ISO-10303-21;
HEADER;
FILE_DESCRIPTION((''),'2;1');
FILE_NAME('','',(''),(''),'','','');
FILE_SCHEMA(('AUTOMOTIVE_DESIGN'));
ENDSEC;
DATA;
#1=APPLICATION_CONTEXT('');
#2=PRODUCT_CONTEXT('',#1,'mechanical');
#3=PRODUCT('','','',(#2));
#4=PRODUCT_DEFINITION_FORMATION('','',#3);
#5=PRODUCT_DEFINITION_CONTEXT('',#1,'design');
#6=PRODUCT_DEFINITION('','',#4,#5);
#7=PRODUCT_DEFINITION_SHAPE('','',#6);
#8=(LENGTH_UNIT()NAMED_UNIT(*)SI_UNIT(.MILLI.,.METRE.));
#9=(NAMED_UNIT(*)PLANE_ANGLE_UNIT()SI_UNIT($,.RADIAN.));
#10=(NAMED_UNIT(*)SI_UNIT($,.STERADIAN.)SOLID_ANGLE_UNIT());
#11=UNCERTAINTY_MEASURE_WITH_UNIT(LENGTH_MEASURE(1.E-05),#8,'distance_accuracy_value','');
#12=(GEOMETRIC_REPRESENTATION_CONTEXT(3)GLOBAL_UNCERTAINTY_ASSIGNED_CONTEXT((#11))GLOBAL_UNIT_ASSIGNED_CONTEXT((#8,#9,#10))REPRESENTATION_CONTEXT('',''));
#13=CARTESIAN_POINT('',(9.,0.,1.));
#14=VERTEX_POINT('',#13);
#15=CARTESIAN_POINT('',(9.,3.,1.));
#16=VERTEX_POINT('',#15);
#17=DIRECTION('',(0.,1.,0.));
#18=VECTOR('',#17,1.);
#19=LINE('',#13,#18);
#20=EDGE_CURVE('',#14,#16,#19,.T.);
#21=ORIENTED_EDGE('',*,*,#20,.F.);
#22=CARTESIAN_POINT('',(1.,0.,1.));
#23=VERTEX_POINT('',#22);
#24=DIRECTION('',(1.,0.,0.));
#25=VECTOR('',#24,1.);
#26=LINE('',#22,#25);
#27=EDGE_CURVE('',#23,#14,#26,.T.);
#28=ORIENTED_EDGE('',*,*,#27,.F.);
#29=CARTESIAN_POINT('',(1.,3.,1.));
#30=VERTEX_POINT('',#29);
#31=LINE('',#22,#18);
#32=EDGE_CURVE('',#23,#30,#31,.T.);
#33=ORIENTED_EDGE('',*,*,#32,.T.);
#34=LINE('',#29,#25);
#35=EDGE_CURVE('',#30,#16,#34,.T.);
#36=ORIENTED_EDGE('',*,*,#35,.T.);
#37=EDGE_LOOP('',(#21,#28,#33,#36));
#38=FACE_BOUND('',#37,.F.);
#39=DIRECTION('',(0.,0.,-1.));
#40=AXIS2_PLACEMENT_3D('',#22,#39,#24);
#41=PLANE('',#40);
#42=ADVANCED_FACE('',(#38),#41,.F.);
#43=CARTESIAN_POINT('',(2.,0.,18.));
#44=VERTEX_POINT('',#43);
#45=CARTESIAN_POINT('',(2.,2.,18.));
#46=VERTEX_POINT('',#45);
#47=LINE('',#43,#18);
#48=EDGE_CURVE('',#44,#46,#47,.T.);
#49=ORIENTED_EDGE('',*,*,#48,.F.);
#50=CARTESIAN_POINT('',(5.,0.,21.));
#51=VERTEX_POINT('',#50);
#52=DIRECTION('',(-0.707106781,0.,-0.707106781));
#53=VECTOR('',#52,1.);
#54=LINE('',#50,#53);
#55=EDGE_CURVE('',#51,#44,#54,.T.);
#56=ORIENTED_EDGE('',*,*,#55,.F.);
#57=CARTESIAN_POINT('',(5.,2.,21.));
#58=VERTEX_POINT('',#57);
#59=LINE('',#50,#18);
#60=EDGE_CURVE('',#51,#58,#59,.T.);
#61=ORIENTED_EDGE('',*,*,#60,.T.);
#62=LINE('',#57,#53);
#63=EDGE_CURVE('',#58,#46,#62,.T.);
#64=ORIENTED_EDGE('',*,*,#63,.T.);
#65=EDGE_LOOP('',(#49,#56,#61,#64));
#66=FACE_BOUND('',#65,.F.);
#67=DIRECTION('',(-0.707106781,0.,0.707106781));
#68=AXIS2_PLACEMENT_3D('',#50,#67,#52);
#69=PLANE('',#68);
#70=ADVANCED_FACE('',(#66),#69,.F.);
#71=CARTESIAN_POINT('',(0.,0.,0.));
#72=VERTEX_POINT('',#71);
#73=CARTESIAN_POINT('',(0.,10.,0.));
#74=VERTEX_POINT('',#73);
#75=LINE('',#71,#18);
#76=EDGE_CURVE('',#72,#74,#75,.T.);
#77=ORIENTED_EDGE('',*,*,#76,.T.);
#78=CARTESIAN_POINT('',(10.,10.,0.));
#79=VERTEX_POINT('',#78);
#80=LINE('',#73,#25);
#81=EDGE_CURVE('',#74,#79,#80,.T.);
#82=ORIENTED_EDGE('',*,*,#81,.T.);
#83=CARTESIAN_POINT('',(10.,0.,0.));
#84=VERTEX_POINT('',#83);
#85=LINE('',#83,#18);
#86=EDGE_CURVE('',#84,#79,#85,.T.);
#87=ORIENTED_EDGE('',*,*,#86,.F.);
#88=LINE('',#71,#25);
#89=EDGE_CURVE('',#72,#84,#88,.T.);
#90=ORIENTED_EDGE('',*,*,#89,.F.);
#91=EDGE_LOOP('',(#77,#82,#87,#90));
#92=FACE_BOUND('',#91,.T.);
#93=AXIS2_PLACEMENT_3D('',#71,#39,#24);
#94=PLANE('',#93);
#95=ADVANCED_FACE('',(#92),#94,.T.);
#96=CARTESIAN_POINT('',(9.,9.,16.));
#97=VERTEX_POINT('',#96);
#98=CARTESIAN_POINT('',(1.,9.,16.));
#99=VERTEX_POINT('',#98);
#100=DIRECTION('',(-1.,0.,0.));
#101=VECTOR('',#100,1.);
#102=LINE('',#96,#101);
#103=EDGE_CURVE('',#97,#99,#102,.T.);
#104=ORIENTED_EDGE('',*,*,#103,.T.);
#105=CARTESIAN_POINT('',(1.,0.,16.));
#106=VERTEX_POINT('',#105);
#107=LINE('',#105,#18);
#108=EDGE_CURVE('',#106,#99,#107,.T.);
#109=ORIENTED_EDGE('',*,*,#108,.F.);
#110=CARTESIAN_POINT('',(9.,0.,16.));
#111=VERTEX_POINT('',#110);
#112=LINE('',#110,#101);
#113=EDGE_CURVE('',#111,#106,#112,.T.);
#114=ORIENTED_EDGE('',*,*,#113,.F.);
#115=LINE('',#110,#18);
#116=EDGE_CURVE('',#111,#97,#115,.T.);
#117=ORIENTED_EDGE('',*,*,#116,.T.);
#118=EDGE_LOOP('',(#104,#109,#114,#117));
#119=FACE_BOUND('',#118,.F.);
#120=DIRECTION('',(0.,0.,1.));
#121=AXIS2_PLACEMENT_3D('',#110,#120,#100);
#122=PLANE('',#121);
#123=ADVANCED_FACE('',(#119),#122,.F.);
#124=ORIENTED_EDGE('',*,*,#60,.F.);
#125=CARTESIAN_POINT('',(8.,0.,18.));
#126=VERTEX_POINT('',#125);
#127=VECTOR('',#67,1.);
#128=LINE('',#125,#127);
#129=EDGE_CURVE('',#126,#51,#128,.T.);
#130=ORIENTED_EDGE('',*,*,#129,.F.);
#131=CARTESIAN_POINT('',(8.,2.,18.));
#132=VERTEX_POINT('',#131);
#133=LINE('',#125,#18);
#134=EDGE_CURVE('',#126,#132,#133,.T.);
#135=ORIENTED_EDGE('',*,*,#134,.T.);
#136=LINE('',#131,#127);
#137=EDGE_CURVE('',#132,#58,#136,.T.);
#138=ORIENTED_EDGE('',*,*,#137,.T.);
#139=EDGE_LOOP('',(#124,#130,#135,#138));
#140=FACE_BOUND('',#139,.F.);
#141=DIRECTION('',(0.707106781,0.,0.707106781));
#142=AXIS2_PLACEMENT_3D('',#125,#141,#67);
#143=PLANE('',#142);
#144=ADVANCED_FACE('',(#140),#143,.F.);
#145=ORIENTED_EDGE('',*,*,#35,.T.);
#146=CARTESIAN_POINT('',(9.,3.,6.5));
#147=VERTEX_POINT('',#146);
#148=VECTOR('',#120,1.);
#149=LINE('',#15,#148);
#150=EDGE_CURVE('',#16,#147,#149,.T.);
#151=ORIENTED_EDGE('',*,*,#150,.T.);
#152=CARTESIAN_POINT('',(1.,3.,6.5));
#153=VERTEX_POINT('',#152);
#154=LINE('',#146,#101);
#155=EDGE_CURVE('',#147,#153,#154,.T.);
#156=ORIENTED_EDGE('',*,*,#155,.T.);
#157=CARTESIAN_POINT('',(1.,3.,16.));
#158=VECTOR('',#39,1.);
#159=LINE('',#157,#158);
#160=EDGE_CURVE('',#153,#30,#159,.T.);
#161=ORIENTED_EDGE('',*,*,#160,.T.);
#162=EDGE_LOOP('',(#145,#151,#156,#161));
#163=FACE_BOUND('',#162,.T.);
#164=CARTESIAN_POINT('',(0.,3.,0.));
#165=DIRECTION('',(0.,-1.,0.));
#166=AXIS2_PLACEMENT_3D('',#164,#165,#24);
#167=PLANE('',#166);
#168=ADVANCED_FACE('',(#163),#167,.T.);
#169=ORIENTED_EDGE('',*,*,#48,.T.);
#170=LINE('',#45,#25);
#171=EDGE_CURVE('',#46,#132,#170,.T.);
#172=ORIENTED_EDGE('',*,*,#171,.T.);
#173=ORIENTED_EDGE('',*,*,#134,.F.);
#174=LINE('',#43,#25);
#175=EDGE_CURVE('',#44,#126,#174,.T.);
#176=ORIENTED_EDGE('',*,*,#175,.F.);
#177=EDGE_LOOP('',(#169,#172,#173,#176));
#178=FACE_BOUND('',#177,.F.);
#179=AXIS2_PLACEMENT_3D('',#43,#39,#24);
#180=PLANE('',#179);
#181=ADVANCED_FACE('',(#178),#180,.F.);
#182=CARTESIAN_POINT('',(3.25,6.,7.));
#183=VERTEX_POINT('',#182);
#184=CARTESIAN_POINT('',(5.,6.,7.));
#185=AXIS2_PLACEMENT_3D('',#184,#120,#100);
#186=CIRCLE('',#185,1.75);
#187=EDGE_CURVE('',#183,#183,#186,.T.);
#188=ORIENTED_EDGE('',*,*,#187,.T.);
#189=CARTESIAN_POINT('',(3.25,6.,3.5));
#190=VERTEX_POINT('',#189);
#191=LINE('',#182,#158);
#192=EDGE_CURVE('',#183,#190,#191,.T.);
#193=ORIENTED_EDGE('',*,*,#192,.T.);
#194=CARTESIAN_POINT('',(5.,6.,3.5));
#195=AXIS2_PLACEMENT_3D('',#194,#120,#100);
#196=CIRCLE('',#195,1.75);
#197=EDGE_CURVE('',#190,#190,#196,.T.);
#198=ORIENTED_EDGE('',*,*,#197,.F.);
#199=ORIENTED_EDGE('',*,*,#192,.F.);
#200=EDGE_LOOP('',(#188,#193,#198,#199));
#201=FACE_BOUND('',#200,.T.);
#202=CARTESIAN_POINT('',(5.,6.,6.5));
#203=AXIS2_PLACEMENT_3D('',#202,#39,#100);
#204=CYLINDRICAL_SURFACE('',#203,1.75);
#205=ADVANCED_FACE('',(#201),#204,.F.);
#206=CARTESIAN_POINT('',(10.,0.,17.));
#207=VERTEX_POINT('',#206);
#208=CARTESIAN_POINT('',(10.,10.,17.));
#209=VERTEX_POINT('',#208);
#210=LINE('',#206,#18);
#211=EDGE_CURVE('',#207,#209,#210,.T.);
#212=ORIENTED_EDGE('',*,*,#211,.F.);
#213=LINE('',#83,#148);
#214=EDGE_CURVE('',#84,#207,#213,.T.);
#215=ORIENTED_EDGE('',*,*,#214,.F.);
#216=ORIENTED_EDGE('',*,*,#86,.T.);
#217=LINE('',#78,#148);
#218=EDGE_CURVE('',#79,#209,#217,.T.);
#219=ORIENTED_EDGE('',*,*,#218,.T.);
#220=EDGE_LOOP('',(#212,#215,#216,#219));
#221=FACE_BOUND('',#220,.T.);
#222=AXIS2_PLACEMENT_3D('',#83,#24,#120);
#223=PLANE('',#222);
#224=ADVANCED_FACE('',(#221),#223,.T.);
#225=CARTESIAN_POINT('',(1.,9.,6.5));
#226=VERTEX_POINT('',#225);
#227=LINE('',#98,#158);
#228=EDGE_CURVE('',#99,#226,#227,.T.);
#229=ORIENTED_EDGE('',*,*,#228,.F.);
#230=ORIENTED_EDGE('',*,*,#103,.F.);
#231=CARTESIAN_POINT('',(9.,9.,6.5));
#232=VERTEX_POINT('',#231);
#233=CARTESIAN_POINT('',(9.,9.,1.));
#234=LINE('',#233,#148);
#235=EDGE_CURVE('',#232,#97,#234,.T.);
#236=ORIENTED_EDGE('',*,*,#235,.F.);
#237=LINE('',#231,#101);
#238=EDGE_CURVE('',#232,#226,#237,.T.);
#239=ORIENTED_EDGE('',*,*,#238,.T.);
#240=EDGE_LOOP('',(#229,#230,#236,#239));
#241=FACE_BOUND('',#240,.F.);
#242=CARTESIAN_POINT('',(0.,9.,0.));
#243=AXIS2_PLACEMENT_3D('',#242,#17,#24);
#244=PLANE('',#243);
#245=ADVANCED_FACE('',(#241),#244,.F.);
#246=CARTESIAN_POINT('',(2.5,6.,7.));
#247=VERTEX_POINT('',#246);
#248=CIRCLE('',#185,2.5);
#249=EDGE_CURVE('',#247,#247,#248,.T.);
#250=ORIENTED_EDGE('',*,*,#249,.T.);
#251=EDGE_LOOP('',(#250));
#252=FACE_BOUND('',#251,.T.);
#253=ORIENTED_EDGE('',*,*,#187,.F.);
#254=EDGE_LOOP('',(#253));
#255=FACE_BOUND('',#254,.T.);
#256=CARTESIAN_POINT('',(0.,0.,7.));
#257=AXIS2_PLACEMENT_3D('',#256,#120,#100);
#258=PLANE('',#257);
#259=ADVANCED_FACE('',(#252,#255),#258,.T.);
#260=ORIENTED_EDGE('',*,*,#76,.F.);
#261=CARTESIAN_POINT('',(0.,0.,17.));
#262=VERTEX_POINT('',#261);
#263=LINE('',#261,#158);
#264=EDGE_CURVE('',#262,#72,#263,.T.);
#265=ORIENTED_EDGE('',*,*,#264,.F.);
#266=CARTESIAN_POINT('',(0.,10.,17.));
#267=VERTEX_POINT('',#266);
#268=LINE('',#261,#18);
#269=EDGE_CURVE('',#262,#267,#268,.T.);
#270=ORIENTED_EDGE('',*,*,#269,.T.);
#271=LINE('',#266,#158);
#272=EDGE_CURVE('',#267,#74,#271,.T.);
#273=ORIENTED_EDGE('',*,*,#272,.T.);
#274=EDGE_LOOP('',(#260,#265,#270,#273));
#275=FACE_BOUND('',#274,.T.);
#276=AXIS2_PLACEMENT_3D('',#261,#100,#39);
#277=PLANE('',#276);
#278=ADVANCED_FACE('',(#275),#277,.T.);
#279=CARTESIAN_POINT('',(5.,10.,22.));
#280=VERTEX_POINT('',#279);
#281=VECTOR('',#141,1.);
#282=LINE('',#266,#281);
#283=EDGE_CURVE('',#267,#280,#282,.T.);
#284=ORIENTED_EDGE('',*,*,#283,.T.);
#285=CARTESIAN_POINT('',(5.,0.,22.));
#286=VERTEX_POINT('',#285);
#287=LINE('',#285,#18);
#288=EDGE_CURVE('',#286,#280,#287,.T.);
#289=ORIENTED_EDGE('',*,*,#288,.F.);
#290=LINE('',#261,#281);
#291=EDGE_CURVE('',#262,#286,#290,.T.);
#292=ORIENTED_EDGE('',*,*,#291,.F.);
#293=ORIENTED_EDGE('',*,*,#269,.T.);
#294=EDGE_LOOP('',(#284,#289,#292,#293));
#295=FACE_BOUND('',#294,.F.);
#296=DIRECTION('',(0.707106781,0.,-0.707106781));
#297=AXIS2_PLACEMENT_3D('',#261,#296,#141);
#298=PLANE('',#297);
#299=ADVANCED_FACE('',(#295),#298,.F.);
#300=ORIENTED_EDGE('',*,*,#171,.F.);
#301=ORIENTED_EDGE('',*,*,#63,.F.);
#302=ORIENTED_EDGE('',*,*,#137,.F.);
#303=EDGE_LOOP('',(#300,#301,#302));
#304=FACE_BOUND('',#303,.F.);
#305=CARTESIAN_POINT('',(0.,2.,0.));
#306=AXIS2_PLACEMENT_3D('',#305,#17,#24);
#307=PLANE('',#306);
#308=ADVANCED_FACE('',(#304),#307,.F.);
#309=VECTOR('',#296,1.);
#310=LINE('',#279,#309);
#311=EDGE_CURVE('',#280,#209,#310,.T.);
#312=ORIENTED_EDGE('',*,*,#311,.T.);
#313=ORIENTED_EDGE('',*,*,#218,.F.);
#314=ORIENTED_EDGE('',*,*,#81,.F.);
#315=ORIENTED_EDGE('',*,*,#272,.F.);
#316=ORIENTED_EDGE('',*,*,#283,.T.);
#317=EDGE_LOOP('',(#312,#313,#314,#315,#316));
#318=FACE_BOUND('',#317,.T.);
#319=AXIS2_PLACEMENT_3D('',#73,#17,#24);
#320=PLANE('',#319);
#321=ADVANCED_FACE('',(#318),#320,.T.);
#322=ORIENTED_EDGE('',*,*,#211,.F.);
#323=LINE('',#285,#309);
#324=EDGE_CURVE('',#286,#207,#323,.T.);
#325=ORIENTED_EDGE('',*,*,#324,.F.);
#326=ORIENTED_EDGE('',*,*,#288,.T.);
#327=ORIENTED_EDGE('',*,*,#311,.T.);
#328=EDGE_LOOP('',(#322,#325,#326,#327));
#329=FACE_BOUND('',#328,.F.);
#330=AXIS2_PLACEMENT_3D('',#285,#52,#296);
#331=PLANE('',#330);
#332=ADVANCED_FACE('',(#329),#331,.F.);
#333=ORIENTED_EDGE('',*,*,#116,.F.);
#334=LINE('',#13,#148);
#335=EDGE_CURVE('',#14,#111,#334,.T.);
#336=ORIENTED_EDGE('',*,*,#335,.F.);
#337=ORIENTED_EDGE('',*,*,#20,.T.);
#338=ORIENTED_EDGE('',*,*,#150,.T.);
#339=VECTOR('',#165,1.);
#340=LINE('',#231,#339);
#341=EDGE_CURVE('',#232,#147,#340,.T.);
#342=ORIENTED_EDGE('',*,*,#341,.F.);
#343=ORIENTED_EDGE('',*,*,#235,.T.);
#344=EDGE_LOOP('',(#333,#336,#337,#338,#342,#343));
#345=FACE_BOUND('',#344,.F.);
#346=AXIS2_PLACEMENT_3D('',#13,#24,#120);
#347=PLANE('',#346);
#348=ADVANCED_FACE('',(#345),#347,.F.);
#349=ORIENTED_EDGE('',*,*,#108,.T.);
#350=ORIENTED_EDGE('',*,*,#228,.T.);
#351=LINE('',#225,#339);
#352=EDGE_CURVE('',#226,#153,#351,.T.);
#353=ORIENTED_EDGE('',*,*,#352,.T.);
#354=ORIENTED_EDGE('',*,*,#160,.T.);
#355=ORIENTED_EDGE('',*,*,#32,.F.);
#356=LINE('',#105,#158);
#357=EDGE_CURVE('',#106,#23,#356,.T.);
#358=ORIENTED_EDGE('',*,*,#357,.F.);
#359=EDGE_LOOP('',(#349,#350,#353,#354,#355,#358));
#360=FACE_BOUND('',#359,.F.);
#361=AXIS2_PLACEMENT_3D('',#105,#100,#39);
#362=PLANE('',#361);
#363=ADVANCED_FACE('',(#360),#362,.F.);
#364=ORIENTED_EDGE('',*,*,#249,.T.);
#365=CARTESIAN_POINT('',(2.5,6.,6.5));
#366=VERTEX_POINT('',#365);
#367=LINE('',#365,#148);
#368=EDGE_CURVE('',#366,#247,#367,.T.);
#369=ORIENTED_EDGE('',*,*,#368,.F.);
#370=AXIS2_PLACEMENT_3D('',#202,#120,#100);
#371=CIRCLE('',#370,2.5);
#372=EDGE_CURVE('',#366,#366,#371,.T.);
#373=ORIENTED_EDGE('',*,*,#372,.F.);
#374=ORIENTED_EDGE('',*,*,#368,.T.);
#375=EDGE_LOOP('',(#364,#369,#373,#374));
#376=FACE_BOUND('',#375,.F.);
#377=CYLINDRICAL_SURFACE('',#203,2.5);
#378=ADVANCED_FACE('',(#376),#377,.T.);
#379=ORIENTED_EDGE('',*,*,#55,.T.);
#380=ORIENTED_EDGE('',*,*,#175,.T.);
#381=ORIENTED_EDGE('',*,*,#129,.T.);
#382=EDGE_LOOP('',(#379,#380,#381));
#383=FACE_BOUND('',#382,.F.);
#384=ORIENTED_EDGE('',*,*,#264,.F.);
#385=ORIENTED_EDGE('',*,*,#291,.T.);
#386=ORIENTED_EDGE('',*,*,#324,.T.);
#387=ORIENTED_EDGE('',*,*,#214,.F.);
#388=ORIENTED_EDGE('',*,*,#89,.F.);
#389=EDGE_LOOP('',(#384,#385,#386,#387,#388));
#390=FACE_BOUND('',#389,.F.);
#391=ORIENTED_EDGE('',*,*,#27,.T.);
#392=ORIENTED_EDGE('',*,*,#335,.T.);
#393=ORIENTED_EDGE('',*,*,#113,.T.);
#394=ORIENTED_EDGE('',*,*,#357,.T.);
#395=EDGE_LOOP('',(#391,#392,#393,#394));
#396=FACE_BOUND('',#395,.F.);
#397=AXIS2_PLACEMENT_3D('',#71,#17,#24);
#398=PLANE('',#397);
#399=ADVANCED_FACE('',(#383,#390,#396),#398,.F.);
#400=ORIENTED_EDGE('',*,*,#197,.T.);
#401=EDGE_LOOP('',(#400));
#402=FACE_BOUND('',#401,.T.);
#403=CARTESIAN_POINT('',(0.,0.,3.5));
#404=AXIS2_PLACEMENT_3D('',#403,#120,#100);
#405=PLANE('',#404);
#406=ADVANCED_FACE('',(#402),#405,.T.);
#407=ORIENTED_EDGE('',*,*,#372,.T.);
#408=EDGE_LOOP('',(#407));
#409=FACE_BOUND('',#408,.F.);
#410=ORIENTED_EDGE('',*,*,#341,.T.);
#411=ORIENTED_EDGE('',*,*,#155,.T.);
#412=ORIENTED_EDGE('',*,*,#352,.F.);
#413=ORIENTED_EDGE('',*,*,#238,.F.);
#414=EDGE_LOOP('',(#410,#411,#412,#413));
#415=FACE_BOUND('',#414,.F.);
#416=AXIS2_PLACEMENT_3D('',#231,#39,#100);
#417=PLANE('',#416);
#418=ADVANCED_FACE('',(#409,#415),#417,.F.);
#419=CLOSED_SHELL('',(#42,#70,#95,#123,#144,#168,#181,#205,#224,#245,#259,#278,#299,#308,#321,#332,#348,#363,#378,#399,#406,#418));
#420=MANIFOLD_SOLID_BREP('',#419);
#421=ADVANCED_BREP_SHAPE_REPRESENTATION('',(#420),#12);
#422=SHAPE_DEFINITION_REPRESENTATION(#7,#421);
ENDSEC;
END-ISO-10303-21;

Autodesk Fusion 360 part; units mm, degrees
sketch "Sketch1" plane through (0, 0, 0) normal (0, 1, 0) x (1, 0, 0)
  line L0 (0, 0) -> (10, 0)
  line L1 (10, 0) -> (10, -17)
  line L2 (0, -17) -> (0, 0)
  line L3 (0, -17) -> (5, -22)
  line L4 (5, -22) -> (10, -17)
  dimension "d1" = 10
  dimension "d2" = 17
extrude "Extrude1" add sketch "Sketch1" along normal blind 10
sketch "Sketch2" plane through (0, 0, 0) normal (0, 1, 0) x (1, 0, 0)
  line L0 (1, -1) -> (9, -1)
  line L1 (9, -1) -> (9, -16)
  line L2 (9, -16) -> (1, -16)
  line L3 (1, -16) -> (1, -1)
  line L4 (2, -18) -> (8, -18)
  line L5 (8, -18) -> (5, -21)
  line L6 (5, -21) -> (2, -18)
extrude "Extrude2" cut sketch "Sketch2" along normal blind 2 contours L4 L5 L6
extrude "Extrude3" cut sketch "Sketch2" along normal blind 9 contours L0 L1 L2 L3
sketch "Sketch3" plane through (0, 9, 0) normal (0, -1, 0) x (1, 0, 0)
  line L0 (9, 16) -> (1, 16)
  line L1 (1, 16) -> (1, 1)
  line L2 (1, 1) -> (9, 1)
  line L3 (9, 1) -> (9, 16)
  line L4 (1, 1) -> (9, 1)
  line L5 (9, 1) -> (9, 6.5)
  line L6 (9, 6.5) -> (1, 6.5)
  line L7 (1, 6.5) -> (1, 1)
extrude "Extrude4" add sketch "Sketch3" along normal blind 6 contours L1 L2 L3 L4 L5 L6 L7
sketch "Sketch4" plane through (0, 0, 6.5) normal (0, 0, 1) x (-1, 0, 0)
  line L0 (-9, -9) -> (-1, -9)
  line L1 (-1, -9) -> (-1, -3)
  line L2 (-1, -3) -> (-9, -3)
  line L3 (-9, -3) -> (-9, -9)
  circle A0 centre (-5, -6) radius 2.5
  circle A1 centre (-5, -6) radius 1.75
  dimension "d11" = 5
  dimension "d12" = 3.5
extrude "Extrude5" add sketch "Sketch4" along normal blind 0.5 contours A0
extrude "Extrude6" cut sketch "Sketch4" against normal blind 3 contours A1
